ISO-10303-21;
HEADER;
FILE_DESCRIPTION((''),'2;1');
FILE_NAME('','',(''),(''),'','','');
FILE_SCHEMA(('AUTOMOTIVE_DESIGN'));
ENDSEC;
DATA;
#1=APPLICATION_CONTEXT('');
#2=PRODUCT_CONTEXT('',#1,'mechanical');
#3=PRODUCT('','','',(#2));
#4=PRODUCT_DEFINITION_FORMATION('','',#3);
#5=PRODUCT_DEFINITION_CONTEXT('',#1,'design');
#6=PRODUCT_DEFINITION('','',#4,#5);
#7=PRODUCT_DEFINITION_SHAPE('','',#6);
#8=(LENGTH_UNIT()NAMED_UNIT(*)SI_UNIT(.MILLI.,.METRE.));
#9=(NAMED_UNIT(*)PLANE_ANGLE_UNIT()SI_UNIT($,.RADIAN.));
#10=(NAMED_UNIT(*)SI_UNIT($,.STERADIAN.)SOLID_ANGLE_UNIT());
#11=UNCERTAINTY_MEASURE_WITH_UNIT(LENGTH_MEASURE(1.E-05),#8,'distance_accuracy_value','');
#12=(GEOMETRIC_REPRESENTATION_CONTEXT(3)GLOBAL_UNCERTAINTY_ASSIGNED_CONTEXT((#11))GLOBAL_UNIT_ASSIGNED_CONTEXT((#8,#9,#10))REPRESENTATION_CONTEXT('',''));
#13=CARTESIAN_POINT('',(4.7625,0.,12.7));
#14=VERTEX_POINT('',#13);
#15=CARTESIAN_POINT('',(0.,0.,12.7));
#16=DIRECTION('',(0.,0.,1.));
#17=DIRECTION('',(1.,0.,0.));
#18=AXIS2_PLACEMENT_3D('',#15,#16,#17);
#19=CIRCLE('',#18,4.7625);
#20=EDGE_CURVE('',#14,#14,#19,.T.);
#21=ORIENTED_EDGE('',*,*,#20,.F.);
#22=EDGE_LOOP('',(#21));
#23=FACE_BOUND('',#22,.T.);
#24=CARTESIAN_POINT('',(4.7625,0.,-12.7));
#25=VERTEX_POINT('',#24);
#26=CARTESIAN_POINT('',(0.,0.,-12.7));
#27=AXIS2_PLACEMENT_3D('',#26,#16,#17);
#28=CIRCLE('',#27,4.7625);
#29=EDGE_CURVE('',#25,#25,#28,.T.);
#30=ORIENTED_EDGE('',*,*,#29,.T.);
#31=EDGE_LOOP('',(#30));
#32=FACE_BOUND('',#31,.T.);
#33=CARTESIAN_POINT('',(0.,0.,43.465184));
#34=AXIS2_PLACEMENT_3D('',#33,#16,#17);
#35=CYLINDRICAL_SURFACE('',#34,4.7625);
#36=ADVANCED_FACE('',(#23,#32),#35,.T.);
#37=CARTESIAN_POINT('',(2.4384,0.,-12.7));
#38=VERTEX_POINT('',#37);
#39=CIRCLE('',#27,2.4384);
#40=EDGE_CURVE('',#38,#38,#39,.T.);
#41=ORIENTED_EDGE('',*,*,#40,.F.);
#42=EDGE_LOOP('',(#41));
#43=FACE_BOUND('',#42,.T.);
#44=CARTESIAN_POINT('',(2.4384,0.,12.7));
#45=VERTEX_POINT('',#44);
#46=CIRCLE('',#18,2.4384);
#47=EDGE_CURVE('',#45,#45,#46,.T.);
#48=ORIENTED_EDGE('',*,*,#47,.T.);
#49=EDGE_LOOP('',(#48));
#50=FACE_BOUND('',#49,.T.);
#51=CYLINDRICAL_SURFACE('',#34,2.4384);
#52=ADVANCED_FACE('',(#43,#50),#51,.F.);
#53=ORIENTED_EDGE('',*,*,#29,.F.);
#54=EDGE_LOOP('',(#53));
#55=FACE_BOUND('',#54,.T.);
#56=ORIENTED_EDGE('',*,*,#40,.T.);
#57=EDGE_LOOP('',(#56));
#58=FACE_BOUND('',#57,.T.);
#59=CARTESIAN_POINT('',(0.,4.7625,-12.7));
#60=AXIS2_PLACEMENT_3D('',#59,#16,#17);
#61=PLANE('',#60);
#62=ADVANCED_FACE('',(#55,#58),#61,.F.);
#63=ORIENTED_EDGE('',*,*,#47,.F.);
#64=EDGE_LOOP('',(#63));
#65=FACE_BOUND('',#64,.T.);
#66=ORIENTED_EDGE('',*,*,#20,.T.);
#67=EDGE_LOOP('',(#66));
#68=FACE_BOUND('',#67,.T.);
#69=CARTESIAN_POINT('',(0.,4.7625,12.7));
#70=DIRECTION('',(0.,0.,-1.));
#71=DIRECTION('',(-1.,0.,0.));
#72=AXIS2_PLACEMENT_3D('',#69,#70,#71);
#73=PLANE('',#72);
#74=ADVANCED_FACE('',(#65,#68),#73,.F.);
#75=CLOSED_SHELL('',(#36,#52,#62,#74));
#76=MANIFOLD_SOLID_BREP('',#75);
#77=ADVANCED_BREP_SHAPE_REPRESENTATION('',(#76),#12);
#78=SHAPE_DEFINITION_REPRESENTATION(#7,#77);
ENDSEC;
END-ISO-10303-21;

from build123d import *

# Parameters (mm, degrees)
SKETCH1_W = 25.4
SKETCH1_H = 2.3241


with BuildPart() as part:
    # Sketch1 → Revolve1 (revolve)
    with BuildSketch(Plane(origin=(0, 0, 0), x_dir=(0, 0, -1), z_dir=(1, 0, 0)), mode=Mode.PRIVATE) as revolve1_sk:
        with Locations((0, 3.60045)):
            Rectangle(SKETCH1_W, SKETCH1_H)
    revolve(revolve1_sk.sketch.rotate(Axis((0, 0, 43.465184419), (0, 0, -1)), 90), axis=Axis((0, 0, 43.465184419), (0, 0, -1)))


solid = part.part
